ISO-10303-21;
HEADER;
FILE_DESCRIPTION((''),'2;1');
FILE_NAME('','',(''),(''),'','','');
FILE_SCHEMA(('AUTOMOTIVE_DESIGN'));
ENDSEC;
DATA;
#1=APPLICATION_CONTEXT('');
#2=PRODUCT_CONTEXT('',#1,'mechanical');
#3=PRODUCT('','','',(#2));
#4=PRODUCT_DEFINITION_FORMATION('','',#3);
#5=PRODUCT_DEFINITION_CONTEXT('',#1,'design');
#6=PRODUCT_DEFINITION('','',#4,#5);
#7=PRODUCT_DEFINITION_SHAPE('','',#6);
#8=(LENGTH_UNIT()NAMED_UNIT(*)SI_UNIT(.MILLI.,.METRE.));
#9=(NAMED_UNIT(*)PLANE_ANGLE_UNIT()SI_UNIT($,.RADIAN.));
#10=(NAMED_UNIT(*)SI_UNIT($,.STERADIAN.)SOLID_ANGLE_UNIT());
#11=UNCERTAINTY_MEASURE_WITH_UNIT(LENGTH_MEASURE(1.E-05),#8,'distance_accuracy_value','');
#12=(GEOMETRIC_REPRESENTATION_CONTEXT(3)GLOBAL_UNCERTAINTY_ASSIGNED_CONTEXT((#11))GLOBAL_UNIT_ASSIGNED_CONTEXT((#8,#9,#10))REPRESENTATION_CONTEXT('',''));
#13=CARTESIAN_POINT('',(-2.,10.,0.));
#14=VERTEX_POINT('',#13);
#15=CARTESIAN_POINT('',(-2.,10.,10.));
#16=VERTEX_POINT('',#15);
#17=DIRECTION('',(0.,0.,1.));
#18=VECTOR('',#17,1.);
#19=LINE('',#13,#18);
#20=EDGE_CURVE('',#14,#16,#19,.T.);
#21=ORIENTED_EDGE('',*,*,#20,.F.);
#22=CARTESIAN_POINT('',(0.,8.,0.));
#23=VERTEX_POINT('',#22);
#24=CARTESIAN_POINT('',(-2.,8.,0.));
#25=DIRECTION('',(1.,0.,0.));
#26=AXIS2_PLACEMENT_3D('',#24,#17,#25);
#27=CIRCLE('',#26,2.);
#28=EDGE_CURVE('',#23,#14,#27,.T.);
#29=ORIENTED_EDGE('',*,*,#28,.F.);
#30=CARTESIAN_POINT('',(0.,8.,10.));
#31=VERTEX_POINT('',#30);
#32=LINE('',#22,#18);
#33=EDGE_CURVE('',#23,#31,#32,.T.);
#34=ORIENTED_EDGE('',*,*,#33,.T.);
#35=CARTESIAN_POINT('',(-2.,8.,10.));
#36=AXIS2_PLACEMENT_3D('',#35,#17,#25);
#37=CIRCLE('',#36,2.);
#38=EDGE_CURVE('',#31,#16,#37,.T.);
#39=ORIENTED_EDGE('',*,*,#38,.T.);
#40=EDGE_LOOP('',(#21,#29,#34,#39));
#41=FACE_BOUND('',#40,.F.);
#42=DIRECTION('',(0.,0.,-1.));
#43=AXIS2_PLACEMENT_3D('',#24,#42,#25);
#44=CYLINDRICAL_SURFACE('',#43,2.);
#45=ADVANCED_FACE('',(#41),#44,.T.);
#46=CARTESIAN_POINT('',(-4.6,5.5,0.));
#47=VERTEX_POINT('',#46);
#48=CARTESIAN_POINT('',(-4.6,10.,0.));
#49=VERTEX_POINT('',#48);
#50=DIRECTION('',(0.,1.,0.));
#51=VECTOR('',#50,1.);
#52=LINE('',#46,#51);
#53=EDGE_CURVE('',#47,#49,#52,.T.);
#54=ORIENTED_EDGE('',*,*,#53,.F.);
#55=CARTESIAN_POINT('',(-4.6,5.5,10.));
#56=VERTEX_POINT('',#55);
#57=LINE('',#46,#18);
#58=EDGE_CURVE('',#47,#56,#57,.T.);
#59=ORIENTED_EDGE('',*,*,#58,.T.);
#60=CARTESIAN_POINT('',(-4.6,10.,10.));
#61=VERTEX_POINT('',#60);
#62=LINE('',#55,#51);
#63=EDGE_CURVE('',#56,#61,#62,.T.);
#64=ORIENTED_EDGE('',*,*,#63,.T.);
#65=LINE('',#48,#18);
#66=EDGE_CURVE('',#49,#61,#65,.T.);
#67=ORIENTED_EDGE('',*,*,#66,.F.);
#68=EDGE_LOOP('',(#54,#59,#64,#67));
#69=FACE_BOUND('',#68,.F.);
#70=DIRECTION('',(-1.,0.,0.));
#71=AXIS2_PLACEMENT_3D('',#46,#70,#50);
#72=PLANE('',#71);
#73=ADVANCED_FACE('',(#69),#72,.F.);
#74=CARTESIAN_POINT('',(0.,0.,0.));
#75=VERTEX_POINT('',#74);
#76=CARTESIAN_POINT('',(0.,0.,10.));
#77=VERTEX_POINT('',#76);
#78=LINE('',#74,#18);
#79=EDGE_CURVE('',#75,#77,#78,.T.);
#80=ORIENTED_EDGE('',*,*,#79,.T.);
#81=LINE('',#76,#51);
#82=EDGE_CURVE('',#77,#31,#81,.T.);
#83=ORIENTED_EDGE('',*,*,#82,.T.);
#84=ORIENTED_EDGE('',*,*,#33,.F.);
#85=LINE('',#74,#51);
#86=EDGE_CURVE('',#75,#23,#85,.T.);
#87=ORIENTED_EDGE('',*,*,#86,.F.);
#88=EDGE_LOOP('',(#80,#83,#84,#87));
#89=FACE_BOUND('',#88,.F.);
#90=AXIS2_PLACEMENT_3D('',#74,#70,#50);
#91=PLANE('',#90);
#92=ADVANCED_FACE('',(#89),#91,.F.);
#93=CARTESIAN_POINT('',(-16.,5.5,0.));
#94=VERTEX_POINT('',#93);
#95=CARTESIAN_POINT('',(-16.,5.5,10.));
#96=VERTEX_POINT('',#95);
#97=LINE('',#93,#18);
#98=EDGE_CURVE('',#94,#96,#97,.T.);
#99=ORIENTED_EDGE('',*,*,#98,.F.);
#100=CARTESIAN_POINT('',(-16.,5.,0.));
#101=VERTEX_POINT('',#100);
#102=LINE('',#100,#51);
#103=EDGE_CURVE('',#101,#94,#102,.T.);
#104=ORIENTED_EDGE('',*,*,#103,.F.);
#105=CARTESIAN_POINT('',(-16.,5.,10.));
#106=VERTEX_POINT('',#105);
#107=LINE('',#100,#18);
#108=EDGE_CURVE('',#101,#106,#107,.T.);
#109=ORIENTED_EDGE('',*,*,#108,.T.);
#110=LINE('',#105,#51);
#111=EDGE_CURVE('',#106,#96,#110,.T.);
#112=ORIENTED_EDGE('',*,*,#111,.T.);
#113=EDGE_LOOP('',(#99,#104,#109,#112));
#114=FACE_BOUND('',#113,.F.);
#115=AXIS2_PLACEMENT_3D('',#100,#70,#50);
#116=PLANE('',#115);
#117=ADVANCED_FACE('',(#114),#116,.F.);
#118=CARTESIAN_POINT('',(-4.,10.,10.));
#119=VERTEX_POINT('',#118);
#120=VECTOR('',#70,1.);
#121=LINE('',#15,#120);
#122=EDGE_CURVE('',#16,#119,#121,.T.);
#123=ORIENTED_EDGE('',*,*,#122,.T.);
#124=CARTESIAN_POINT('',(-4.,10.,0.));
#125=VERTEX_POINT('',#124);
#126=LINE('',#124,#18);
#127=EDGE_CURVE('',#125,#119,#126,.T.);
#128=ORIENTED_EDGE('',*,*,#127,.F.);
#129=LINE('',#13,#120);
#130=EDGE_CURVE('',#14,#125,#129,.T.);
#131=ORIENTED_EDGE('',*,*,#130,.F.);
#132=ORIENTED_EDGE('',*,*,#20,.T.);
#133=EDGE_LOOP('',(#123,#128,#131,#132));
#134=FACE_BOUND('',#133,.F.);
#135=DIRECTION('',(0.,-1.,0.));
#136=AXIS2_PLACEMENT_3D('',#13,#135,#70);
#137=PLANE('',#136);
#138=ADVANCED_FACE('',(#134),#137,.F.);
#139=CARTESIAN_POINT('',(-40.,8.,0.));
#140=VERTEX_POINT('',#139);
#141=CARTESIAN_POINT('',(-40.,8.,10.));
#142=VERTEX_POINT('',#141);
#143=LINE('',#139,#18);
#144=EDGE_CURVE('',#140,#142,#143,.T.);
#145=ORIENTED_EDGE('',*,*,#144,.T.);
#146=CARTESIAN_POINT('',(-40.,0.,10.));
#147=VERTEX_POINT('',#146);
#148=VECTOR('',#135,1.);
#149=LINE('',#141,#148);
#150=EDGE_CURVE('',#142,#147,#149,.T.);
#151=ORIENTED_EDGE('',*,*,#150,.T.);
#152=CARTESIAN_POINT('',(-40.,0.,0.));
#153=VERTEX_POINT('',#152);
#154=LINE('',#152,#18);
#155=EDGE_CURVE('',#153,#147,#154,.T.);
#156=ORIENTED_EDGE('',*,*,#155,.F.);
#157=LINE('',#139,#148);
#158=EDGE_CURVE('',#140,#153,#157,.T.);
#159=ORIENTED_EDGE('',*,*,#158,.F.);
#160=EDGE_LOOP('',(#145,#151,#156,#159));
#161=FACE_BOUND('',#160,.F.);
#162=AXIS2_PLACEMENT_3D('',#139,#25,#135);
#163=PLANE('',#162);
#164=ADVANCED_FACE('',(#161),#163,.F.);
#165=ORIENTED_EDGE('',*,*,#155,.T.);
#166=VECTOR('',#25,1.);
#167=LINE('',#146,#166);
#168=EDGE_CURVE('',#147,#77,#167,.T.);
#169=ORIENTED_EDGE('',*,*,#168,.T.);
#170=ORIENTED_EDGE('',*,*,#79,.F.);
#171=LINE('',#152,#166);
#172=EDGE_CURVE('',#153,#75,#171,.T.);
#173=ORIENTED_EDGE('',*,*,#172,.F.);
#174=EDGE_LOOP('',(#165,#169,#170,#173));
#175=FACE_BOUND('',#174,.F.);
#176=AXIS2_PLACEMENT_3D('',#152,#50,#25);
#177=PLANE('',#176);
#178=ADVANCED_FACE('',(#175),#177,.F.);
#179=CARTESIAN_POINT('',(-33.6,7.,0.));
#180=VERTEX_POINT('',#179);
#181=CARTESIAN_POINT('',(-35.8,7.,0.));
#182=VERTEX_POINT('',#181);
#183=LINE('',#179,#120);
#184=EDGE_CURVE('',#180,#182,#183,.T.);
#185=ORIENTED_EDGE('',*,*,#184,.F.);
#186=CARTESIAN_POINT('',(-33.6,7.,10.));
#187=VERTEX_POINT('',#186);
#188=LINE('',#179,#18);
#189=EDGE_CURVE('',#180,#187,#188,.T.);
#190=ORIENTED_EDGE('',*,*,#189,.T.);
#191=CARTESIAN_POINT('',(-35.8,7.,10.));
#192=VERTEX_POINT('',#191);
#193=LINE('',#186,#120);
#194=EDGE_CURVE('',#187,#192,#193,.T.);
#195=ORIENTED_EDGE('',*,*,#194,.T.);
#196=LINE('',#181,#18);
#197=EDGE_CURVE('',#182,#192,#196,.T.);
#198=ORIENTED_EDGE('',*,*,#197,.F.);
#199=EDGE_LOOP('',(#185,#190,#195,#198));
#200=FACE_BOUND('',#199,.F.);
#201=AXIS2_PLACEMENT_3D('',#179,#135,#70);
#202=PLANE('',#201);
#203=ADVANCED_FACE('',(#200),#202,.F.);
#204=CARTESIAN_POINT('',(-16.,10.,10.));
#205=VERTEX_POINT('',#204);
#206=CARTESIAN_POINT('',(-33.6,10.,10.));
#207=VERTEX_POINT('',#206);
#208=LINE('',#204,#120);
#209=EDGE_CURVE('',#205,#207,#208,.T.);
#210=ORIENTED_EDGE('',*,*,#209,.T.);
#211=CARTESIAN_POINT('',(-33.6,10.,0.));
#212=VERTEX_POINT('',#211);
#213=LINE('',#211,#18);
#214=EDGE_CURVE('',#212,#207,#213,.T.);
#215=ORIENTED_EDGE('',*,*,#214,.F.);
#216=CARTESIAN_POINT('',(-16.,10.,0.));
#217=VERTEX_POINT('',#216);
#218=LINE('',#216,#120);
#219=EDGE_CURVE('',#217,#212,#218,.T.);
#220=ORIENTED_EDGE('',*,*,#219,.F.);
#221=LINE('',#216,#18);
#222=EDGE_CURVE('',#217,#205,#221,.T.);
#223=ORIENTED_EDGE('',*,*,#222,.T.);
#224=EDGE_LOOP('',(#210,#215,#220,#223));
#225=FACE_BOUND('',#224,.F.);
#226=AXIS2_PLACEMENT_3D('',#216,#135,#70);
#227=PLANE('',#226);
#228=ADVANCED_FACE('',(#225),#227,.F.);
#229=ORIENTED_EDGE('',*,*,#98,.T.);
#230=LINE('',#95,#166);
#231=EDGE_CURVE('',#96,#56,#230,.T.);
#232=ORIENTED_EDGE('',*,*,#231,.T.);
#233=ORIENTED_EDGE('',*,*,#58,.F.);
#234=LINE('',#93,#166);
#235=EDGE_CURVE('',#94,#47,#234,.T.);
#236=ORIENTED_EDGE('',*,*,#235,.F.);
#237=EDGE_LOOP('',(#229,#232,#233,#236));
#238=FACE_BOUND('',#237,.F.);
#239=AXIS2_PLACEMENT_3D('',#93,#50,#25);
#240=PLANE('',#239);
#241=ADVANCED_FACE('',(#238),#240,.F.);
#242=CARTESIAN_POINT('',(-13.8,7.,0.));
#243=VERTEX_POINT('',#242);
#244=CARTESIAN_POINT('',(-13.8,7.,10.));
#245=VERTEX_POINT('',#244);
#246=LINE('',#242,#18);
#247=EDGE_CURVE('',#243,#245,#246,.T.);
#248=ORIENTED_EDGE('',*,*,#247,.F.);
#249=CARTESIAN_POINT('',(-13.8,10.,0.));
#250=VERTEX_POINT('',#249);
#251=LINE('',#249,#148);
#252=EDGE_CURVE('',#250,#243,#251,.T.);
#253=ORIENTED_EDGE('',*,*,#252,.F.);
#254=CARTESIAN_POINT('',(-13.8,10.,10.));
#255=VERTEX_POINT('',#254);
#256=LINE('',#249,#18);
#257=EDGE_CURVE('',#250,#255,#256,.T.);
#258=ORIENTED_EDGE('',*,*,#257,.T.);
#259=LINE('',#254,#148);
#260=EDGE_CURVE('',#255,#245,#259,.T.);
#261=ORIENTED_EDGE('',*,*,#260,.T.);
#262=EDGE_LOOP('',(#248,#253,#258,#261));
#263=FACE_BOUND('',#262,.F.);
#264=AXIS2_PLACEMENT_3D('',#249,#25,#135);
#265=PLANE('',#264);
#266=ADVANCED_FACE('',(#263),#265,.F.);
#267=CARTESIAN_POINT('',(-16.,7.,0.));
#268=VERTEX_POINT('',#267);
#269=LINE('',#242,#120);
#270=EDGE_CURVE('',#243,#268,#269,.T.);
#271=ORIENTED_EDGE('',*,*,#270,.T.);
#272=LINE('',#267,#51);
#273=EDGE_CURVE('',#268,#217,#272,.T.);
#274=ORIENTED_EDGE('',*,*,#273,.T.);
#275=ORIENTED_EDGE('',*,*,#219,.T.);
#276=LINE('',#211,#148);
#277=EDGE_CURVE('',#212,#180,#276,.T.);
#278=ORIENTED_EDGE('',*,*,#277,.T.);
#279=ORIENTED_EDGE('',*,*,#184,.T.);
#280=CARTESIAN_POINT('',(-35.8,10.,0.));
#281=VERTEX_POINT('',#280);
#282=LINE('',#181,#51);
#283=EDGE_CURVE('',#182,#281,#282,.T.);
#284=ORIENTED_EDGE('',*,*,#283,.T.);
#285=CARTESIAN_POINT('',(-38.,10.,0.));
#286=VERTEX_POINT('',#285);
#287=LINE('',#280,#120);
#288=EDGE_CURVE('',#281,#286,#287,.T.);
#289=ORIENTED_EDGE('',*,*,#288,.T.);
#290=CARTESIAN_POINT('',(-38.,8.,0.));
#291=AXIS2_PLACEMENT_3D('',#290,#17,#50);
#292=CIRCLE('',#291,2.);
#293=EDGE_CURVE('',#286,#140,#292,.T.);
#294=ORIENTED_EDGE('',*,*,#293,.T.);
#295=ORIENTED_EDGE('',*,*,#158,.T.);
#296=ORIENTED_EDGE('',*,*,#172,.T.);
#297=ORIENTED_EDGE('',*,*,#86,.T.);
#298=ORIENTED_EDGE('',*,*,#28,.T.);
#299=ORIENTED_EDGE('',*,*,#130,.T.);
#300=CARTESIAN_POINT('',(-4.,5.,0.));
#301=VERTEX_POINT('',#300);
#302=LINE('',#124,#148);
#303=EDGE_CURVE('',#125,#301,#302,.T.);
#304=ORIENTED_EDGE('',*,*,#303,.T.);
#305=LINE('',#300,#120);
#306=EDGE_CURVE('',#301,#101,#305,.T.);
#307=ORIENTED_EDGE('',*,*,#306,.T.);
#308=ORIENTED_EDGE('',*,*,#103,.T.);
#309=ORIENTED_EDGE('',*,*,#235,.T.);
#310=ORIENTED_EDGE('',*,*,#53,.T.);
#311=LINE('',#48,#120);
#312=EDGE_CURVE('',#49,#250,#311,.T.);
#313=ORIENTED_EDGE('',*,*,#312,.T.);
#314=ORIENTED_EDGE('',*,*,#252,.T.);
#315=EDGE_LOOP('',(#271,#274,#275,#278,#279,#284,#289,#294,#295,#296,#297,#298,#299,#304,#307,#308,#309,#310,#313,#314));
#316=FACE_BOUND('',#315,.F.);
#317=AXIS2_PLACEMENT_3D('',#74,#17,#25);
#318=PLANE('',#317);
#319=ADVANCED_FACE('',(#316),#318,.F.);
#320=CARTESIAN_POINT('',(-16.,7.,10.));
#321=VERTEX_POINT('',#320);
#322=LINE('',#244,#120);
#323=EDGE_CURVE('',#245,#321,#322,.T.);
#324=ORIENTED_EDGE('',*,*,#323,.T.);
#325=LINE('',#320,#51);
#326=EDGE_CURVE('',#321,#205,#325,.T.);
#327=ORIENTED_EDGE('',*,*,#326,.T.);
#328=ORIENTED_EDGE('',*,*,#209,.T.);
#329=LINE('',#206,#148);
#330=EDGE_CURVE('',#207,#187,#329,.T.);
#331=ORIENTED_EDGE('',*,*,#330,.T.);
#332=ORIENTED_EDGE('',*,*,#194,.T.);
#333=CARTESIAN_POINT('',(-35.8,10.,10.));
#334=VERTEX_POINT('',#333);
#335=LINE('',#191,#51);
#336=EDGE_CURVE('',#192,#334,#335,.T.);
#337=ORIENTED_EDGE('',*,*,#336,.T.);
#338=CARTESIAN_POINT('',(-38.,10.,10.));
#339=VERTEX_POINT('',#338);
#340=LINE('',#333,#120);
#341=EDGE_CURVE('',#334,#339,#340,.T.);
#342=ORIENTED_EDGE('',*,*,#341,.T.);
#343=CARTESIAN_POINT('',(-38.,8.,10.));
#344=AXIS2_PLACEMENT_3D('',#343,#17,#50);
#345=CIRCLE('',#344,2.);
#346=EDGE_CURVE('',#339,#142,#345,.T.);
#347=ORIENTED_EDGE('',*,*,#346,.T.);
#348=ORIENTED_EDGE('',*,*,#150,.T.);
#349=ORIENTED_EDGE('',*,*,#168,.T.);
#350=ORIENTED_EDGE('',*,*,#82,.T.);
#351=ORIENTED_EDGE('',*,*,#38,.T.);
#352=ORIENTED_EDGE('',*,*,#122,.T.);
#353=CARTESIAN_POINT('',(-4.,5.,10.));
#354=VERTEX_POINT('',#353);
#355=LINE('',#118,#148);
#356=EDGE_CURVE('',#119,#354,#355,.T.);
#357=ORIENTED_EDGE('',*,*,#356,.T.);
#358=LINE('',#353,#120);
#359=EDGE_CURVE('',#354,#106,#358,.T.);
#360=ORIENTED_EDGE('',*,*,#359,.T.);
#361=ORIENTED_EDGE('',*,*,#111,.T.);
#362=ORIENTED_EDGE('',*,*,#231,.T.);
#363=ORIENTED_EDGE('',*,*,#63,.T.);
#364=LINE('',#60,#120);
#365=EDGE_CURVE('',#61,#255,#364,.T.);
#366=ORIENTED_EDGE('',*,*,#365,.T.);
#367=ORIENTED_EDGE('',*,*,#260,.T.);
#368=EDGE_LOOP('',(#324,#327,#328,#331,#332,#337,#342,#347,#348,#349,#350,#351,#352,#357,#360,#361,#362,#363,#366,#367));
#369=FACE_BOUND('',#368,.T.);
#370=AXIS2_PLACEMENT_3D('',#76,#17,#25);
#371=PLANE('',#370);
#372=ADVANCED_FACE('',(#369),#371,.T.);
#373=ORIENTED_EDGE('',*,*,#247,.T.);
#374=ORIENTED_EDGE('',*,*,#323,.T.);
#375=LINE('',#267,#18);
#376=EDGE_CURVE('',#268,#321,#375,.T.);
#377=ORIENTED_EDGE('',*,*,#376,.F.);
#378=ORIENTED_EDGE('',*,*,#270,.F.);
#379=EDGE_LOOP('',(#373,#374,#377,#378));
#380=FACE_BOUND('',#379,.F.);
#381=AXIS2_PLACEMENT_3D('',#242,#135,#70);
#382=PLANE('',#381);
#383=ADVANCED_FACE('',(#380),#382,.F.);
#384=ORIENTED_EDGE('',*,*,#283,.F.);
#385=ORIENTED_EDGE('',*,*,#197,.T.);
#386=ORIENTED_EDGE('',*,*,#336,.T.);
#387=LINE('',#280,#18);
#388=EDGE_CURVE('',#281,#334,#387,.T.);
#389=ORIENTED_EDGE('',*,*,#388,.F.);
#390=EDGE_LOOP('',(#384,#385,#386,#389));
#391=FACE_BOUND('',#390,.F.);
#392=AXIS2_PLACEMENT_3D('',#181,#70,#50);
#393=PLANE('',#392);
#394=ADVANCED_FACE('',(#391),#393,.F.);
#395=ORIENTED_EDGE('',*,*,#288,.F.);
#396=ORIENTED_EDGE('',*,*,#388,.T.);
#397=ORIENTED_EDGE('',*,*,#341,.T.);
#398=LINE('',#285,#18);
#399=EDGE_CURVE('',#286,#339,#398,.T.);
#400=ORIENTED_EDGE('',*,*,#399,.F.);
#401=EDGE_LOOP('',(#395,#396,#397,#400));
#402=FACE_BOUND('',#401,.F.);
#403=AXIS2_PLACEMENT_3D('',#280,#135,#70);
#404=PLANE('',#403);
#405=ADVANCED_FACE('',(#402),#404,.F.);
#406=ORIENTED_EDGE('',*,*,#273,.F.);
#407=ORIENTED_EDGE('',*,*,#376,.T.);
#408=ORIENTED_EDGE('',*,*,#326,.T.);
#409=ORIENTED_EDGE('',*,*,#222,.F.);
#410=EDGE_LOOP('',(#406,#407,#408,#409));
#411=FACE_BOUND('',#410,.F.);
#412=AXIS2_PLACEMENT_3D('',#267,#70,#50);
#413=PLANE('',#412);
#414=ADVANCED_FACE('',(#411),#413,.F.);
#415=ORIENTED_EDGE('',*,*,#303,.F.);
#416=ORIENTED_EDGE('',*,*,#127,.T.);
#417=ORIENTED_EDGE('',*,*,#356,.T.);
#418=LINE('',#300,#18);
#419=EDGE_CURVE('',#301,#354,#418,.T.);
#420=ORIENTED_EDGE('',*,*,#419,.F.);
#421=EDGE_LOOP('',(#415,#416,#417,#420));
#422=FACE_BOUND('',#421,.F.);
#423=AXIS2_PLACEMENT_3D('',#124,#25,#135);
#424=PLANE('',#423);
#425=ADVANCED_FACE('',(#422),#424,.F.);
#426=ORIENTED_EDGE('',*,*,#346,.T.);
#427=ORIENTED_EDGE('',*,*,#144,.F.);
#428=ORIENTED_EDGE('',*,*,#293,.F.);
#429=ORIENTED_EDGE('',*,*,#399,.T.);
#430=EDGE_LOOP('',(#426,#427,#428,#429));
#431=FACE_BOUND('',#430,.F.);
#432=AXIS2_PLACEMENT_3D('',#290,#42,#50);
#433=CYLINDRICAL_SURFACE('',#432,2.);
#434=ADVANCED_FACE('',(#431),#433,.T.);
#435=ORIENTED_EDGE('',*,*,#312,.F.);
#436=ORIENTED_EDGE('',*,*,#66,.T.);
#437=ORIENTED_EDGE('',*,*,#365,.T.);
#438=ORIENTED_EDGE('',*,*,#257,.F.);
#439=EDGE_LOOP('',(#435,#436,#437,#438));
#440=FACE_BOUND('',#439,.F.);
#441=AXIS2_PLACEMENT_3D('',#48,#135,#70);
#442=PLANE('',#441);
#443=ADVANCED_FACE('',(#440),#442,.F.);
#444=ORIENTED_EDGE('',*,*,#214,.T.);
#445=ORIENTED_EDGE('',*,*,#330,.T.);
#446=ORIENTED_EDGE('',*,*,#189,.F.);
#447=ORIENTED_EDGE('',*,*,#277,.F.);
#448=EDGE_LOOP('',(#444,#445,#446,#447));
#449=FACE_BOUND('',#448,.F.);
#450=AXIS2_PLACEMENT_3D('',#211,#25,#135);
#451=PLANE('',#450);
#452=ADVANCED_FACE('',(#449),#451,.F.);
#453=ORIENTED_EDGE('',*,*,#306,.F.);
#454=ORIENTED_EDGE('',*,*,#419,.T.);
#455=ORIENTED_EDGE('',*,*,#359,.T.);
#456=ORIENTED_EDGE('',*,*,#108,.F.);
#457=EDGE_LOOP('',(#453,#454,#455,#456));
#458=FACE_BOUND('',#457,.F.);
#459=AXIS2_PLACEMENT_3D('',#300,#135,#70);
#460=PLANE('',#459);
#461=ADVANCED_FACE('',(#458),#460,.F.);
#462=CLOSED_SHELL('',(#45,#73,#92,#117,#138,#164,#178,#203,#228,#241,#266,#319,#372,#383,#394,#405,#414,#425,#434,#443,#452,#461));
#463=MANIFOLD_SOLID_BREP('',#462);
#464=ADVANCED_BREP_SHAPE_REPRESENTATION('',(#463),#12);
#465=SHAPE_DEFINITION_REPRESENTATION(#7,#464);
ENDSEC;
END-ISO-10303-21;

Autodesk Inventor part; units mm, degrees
ref_plane "YZ Plane" through (0, 0, 0) normal (1, 0, 0) x (0, 1, 0)
ref_plane "XZ Plane" through (0, 0, 0) normal (0, 1, 0) x (-1, 0, 0)
ref_plane "XY Plane" through (0, 0, 0) normal (0, 0, 1) x (1, 0, 0)
sketch "Sketch1" plane through (0, 0, 0) normal (0, 0, 1) x (1, 0, 0)
  line L0 (0, 0) -> (0, 8)
  line L1 (-2, 10) -> (-4, 10)
  line L2 (-4, 10) -> (-4, 5)
  line L3 (-4, 5) -> (-16, 5)
  line L4 (-16, 5) -> (-16, 5.5)
  line L5 (-16, 5.5) -> (-4.6, 5.5)
  line L6 (-4.6, 5.5) -> (-4.6, 10)
  line L7 (-4.6, 10) -> (-13.8, 10)
  line L8 (-13.8, 10) -> (-13.8, 7)
  line L9 (-13.8, 7) -> (-16, 7)
  line L10 (-16, 7) -> (-16, 10)
  line L11 (-16, 10) -> (-33.6, 10)
  line L12 (-33.6, 10) -> (-33.6, 7)
  line L13 (-33.6, 7) -> (-35.8, 7)
  line L14 (-35.8, 7) -> (-35.8, 10)
  line L15 (-35.8, 10) -> (-38, 10)
  line L16 (-40, 8) -> (-40, 0)
  line L17 (-40, 0) -> (0, 0)
  arc A0 (-38, 10) -> (-40, 8) centre (-38, 8) ccw
  arc A1 (0, 8) -> (-2, 10) centre (-2, 8) ccw
  point P0 (0, 10)
  point P1 (-40, 10)
  point P2 (-16, 5.25)
  dimension "d0" = 22
  dimension "d1" = 2.2
  dimension "d2" = 2.2
  dimension "d3" = 0.6
  dimension "d4" = 0.5
  dimension "d5" = 12
  dimension "d6" = 5
  dimension "d7" = 40
  dimension "d8" = 4
  dimension "d9" = 10
  dimension "d10" = 3
  dimension "d11" = 2
extrude "Extrusion1" add sketch "Sketch1" along normal blind 10
properties part number "Testrig"
